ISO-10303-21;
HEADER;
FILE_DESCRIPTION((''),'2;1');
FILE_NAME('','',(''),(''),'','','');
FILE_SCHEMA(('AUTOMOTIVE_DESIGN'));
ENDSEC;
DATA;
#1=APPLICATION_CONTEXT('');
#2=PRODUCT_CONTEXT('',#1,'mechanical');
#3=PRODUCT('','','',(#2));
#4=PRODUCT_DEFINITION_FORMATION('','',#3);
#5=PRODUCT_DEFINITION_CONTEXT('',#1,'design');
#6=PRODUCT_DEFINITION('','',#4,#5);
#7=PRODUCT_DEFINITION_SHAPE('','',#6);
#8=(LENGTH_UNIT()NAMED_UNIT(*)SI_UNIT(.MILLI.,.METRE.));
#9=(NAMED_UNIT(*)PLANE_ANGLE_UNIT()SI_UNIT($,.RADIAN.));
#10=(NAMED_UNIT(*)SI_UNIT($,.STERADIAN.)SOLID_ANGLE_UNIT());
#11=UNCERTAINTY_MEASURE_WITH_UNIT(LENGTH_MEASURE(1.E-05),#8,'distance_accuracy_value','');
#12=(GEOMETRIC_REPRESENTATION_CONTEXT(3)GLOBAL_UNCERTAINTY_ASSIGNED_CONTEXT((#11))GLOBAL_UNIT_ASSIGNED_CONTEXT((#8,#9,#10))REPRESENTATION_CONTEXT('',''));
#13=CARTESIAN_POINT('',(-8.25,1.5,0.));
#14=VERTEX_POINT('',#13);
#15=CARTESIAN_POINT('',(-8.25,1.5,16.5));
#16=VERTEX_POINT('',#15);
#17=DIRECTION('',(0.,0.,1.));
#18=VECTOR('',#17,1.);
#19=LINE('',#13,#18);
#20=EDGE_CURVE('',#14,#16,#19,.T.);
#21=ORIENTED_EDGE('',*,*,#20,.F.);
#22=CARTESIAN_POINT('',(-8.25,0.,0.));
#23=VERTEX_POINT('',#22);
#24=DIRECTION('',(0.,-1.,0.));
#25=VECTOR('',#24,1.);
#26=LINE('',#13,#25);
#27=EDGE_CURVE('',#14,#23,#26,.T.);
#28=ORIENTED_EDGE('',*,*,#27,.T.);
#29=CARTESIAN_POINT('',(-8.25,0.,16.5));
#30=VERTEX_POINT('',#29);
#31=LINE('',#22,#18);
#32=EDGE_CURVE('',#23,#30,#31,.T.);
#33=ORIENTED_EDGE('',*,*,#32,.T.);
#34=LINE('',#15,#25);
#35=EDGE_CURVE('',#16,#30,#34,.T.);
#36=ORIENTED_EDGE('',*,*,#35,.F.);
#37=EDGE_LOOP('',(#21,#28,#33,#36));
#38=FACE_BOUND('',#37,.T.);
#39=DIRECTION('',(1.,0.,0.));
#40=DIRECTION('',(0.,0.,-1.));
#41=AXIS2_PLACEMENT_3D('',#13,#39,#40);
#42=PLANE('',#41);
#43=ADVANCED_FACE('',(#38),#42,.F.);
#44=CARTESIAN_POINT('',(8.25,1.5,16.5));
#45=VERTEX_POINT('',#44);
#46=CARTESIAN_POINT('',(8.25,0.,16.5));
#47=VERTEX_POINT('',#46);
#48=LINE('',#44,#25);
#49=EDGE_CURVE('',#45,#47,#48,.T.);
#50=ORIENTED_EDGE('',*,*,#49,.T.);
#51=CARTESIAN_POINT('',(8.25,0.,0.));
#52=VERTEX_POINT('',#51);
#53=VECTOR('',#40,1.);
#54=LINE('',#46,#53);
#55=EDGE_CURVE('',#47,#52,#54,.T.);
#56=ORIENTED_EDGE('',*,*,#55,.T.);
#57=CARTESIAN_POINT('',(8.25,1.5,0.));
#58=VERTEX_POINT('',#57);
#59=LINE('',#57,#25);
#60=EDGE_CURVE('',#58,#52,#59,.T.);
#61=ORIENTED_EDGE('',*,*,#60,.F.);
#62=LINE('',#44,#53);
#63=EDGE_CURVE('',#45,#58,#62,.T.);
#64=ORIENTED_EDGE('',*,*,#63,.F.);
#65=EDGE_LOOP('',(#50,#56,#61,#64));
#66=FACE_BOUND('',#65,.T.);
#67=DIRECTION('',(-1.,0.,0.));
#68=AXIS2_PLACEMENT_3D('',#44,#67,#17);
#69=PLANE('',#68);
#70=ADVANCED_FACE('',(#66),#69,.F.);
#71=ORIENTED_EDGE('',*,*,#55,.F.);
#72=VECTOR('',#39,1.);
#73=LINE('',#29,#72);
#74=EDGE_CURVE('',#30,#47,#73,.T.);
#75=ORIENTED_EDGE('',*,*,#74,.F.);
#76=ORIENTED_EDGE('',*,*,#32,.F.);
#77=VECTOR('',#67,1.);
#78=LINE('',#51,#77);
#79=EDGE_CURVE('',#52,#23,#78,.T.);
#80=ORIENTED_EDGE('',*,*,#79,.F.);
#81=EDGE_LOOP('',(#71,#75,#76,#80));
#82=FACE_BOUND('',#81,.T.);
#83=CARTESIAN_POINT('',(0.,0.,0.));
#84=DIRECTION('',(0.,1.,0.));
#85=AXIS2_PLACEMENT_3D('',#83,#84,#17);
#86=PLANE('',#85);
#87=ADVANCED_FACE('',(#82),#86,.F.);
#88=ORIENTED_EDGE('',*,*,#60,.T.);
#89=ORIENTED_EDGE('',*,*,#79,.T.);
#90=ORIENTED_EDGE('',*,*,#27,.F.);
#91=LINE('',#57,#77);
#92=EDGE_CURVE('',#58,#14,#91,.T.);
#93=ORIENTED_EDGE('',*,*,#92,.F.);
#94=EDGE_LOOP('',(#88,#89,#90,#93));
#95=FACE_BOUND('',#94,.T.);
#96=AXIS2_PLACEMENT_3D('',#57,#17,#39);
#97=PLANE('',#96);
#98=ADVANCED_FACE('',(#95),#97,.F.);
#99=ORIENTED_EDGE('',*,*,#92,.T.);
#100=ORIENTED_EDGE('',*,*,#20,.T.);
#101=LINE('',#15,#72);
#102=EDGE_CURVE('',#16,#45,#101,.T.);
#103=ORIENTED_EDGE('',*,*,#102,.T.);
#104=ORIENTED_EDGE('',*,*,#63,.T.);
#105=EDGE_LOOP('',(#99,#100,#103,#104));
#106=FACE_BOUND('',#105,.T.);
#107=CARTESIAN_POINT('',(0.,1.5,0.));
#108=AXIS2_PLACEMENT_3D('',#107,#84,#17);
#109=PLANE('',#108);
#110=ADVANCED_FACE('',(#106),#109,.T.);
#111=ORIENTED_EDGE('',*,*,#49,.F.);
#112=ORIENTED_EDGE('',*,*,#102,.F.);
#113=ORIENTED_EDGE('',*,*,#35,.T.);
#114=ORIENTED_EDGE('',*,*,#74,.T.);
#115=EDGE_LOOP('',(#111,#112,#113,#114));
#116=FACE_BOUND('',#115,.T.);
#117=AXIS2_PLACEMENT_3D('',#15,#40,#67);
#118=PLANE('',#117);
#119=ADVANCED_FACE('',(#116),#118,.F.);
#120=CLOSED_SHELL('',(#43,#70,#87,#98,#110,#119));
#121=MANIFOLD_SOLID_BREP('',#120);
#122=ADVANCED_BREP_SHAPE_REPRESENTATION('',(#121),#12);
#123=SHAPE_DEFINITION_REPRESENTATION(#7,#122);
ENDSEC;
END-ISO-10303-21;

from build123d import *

# Parameters (mm, degrees)
SKETCH2_W           = 16.5
SKETCH2_H           = 16.5
BOSS_EXTRUDE1_DEPTH = 1.5


with BuildPart() as part:
    # Sketch2 → Boss-Extrude1 (new body)
    with BuildSketch(Plane(origin=(0, 0, 0), x_dir=(1, 0, 0), z_dir=(0, 1, 0))):
        with Locations((0, -8.25)):
            Rectangle(SKETCH2_W, SKETCH2_H)
    extrude(amount=BOSS_EXTRUDE1_DEPTH)


solid = part.part
